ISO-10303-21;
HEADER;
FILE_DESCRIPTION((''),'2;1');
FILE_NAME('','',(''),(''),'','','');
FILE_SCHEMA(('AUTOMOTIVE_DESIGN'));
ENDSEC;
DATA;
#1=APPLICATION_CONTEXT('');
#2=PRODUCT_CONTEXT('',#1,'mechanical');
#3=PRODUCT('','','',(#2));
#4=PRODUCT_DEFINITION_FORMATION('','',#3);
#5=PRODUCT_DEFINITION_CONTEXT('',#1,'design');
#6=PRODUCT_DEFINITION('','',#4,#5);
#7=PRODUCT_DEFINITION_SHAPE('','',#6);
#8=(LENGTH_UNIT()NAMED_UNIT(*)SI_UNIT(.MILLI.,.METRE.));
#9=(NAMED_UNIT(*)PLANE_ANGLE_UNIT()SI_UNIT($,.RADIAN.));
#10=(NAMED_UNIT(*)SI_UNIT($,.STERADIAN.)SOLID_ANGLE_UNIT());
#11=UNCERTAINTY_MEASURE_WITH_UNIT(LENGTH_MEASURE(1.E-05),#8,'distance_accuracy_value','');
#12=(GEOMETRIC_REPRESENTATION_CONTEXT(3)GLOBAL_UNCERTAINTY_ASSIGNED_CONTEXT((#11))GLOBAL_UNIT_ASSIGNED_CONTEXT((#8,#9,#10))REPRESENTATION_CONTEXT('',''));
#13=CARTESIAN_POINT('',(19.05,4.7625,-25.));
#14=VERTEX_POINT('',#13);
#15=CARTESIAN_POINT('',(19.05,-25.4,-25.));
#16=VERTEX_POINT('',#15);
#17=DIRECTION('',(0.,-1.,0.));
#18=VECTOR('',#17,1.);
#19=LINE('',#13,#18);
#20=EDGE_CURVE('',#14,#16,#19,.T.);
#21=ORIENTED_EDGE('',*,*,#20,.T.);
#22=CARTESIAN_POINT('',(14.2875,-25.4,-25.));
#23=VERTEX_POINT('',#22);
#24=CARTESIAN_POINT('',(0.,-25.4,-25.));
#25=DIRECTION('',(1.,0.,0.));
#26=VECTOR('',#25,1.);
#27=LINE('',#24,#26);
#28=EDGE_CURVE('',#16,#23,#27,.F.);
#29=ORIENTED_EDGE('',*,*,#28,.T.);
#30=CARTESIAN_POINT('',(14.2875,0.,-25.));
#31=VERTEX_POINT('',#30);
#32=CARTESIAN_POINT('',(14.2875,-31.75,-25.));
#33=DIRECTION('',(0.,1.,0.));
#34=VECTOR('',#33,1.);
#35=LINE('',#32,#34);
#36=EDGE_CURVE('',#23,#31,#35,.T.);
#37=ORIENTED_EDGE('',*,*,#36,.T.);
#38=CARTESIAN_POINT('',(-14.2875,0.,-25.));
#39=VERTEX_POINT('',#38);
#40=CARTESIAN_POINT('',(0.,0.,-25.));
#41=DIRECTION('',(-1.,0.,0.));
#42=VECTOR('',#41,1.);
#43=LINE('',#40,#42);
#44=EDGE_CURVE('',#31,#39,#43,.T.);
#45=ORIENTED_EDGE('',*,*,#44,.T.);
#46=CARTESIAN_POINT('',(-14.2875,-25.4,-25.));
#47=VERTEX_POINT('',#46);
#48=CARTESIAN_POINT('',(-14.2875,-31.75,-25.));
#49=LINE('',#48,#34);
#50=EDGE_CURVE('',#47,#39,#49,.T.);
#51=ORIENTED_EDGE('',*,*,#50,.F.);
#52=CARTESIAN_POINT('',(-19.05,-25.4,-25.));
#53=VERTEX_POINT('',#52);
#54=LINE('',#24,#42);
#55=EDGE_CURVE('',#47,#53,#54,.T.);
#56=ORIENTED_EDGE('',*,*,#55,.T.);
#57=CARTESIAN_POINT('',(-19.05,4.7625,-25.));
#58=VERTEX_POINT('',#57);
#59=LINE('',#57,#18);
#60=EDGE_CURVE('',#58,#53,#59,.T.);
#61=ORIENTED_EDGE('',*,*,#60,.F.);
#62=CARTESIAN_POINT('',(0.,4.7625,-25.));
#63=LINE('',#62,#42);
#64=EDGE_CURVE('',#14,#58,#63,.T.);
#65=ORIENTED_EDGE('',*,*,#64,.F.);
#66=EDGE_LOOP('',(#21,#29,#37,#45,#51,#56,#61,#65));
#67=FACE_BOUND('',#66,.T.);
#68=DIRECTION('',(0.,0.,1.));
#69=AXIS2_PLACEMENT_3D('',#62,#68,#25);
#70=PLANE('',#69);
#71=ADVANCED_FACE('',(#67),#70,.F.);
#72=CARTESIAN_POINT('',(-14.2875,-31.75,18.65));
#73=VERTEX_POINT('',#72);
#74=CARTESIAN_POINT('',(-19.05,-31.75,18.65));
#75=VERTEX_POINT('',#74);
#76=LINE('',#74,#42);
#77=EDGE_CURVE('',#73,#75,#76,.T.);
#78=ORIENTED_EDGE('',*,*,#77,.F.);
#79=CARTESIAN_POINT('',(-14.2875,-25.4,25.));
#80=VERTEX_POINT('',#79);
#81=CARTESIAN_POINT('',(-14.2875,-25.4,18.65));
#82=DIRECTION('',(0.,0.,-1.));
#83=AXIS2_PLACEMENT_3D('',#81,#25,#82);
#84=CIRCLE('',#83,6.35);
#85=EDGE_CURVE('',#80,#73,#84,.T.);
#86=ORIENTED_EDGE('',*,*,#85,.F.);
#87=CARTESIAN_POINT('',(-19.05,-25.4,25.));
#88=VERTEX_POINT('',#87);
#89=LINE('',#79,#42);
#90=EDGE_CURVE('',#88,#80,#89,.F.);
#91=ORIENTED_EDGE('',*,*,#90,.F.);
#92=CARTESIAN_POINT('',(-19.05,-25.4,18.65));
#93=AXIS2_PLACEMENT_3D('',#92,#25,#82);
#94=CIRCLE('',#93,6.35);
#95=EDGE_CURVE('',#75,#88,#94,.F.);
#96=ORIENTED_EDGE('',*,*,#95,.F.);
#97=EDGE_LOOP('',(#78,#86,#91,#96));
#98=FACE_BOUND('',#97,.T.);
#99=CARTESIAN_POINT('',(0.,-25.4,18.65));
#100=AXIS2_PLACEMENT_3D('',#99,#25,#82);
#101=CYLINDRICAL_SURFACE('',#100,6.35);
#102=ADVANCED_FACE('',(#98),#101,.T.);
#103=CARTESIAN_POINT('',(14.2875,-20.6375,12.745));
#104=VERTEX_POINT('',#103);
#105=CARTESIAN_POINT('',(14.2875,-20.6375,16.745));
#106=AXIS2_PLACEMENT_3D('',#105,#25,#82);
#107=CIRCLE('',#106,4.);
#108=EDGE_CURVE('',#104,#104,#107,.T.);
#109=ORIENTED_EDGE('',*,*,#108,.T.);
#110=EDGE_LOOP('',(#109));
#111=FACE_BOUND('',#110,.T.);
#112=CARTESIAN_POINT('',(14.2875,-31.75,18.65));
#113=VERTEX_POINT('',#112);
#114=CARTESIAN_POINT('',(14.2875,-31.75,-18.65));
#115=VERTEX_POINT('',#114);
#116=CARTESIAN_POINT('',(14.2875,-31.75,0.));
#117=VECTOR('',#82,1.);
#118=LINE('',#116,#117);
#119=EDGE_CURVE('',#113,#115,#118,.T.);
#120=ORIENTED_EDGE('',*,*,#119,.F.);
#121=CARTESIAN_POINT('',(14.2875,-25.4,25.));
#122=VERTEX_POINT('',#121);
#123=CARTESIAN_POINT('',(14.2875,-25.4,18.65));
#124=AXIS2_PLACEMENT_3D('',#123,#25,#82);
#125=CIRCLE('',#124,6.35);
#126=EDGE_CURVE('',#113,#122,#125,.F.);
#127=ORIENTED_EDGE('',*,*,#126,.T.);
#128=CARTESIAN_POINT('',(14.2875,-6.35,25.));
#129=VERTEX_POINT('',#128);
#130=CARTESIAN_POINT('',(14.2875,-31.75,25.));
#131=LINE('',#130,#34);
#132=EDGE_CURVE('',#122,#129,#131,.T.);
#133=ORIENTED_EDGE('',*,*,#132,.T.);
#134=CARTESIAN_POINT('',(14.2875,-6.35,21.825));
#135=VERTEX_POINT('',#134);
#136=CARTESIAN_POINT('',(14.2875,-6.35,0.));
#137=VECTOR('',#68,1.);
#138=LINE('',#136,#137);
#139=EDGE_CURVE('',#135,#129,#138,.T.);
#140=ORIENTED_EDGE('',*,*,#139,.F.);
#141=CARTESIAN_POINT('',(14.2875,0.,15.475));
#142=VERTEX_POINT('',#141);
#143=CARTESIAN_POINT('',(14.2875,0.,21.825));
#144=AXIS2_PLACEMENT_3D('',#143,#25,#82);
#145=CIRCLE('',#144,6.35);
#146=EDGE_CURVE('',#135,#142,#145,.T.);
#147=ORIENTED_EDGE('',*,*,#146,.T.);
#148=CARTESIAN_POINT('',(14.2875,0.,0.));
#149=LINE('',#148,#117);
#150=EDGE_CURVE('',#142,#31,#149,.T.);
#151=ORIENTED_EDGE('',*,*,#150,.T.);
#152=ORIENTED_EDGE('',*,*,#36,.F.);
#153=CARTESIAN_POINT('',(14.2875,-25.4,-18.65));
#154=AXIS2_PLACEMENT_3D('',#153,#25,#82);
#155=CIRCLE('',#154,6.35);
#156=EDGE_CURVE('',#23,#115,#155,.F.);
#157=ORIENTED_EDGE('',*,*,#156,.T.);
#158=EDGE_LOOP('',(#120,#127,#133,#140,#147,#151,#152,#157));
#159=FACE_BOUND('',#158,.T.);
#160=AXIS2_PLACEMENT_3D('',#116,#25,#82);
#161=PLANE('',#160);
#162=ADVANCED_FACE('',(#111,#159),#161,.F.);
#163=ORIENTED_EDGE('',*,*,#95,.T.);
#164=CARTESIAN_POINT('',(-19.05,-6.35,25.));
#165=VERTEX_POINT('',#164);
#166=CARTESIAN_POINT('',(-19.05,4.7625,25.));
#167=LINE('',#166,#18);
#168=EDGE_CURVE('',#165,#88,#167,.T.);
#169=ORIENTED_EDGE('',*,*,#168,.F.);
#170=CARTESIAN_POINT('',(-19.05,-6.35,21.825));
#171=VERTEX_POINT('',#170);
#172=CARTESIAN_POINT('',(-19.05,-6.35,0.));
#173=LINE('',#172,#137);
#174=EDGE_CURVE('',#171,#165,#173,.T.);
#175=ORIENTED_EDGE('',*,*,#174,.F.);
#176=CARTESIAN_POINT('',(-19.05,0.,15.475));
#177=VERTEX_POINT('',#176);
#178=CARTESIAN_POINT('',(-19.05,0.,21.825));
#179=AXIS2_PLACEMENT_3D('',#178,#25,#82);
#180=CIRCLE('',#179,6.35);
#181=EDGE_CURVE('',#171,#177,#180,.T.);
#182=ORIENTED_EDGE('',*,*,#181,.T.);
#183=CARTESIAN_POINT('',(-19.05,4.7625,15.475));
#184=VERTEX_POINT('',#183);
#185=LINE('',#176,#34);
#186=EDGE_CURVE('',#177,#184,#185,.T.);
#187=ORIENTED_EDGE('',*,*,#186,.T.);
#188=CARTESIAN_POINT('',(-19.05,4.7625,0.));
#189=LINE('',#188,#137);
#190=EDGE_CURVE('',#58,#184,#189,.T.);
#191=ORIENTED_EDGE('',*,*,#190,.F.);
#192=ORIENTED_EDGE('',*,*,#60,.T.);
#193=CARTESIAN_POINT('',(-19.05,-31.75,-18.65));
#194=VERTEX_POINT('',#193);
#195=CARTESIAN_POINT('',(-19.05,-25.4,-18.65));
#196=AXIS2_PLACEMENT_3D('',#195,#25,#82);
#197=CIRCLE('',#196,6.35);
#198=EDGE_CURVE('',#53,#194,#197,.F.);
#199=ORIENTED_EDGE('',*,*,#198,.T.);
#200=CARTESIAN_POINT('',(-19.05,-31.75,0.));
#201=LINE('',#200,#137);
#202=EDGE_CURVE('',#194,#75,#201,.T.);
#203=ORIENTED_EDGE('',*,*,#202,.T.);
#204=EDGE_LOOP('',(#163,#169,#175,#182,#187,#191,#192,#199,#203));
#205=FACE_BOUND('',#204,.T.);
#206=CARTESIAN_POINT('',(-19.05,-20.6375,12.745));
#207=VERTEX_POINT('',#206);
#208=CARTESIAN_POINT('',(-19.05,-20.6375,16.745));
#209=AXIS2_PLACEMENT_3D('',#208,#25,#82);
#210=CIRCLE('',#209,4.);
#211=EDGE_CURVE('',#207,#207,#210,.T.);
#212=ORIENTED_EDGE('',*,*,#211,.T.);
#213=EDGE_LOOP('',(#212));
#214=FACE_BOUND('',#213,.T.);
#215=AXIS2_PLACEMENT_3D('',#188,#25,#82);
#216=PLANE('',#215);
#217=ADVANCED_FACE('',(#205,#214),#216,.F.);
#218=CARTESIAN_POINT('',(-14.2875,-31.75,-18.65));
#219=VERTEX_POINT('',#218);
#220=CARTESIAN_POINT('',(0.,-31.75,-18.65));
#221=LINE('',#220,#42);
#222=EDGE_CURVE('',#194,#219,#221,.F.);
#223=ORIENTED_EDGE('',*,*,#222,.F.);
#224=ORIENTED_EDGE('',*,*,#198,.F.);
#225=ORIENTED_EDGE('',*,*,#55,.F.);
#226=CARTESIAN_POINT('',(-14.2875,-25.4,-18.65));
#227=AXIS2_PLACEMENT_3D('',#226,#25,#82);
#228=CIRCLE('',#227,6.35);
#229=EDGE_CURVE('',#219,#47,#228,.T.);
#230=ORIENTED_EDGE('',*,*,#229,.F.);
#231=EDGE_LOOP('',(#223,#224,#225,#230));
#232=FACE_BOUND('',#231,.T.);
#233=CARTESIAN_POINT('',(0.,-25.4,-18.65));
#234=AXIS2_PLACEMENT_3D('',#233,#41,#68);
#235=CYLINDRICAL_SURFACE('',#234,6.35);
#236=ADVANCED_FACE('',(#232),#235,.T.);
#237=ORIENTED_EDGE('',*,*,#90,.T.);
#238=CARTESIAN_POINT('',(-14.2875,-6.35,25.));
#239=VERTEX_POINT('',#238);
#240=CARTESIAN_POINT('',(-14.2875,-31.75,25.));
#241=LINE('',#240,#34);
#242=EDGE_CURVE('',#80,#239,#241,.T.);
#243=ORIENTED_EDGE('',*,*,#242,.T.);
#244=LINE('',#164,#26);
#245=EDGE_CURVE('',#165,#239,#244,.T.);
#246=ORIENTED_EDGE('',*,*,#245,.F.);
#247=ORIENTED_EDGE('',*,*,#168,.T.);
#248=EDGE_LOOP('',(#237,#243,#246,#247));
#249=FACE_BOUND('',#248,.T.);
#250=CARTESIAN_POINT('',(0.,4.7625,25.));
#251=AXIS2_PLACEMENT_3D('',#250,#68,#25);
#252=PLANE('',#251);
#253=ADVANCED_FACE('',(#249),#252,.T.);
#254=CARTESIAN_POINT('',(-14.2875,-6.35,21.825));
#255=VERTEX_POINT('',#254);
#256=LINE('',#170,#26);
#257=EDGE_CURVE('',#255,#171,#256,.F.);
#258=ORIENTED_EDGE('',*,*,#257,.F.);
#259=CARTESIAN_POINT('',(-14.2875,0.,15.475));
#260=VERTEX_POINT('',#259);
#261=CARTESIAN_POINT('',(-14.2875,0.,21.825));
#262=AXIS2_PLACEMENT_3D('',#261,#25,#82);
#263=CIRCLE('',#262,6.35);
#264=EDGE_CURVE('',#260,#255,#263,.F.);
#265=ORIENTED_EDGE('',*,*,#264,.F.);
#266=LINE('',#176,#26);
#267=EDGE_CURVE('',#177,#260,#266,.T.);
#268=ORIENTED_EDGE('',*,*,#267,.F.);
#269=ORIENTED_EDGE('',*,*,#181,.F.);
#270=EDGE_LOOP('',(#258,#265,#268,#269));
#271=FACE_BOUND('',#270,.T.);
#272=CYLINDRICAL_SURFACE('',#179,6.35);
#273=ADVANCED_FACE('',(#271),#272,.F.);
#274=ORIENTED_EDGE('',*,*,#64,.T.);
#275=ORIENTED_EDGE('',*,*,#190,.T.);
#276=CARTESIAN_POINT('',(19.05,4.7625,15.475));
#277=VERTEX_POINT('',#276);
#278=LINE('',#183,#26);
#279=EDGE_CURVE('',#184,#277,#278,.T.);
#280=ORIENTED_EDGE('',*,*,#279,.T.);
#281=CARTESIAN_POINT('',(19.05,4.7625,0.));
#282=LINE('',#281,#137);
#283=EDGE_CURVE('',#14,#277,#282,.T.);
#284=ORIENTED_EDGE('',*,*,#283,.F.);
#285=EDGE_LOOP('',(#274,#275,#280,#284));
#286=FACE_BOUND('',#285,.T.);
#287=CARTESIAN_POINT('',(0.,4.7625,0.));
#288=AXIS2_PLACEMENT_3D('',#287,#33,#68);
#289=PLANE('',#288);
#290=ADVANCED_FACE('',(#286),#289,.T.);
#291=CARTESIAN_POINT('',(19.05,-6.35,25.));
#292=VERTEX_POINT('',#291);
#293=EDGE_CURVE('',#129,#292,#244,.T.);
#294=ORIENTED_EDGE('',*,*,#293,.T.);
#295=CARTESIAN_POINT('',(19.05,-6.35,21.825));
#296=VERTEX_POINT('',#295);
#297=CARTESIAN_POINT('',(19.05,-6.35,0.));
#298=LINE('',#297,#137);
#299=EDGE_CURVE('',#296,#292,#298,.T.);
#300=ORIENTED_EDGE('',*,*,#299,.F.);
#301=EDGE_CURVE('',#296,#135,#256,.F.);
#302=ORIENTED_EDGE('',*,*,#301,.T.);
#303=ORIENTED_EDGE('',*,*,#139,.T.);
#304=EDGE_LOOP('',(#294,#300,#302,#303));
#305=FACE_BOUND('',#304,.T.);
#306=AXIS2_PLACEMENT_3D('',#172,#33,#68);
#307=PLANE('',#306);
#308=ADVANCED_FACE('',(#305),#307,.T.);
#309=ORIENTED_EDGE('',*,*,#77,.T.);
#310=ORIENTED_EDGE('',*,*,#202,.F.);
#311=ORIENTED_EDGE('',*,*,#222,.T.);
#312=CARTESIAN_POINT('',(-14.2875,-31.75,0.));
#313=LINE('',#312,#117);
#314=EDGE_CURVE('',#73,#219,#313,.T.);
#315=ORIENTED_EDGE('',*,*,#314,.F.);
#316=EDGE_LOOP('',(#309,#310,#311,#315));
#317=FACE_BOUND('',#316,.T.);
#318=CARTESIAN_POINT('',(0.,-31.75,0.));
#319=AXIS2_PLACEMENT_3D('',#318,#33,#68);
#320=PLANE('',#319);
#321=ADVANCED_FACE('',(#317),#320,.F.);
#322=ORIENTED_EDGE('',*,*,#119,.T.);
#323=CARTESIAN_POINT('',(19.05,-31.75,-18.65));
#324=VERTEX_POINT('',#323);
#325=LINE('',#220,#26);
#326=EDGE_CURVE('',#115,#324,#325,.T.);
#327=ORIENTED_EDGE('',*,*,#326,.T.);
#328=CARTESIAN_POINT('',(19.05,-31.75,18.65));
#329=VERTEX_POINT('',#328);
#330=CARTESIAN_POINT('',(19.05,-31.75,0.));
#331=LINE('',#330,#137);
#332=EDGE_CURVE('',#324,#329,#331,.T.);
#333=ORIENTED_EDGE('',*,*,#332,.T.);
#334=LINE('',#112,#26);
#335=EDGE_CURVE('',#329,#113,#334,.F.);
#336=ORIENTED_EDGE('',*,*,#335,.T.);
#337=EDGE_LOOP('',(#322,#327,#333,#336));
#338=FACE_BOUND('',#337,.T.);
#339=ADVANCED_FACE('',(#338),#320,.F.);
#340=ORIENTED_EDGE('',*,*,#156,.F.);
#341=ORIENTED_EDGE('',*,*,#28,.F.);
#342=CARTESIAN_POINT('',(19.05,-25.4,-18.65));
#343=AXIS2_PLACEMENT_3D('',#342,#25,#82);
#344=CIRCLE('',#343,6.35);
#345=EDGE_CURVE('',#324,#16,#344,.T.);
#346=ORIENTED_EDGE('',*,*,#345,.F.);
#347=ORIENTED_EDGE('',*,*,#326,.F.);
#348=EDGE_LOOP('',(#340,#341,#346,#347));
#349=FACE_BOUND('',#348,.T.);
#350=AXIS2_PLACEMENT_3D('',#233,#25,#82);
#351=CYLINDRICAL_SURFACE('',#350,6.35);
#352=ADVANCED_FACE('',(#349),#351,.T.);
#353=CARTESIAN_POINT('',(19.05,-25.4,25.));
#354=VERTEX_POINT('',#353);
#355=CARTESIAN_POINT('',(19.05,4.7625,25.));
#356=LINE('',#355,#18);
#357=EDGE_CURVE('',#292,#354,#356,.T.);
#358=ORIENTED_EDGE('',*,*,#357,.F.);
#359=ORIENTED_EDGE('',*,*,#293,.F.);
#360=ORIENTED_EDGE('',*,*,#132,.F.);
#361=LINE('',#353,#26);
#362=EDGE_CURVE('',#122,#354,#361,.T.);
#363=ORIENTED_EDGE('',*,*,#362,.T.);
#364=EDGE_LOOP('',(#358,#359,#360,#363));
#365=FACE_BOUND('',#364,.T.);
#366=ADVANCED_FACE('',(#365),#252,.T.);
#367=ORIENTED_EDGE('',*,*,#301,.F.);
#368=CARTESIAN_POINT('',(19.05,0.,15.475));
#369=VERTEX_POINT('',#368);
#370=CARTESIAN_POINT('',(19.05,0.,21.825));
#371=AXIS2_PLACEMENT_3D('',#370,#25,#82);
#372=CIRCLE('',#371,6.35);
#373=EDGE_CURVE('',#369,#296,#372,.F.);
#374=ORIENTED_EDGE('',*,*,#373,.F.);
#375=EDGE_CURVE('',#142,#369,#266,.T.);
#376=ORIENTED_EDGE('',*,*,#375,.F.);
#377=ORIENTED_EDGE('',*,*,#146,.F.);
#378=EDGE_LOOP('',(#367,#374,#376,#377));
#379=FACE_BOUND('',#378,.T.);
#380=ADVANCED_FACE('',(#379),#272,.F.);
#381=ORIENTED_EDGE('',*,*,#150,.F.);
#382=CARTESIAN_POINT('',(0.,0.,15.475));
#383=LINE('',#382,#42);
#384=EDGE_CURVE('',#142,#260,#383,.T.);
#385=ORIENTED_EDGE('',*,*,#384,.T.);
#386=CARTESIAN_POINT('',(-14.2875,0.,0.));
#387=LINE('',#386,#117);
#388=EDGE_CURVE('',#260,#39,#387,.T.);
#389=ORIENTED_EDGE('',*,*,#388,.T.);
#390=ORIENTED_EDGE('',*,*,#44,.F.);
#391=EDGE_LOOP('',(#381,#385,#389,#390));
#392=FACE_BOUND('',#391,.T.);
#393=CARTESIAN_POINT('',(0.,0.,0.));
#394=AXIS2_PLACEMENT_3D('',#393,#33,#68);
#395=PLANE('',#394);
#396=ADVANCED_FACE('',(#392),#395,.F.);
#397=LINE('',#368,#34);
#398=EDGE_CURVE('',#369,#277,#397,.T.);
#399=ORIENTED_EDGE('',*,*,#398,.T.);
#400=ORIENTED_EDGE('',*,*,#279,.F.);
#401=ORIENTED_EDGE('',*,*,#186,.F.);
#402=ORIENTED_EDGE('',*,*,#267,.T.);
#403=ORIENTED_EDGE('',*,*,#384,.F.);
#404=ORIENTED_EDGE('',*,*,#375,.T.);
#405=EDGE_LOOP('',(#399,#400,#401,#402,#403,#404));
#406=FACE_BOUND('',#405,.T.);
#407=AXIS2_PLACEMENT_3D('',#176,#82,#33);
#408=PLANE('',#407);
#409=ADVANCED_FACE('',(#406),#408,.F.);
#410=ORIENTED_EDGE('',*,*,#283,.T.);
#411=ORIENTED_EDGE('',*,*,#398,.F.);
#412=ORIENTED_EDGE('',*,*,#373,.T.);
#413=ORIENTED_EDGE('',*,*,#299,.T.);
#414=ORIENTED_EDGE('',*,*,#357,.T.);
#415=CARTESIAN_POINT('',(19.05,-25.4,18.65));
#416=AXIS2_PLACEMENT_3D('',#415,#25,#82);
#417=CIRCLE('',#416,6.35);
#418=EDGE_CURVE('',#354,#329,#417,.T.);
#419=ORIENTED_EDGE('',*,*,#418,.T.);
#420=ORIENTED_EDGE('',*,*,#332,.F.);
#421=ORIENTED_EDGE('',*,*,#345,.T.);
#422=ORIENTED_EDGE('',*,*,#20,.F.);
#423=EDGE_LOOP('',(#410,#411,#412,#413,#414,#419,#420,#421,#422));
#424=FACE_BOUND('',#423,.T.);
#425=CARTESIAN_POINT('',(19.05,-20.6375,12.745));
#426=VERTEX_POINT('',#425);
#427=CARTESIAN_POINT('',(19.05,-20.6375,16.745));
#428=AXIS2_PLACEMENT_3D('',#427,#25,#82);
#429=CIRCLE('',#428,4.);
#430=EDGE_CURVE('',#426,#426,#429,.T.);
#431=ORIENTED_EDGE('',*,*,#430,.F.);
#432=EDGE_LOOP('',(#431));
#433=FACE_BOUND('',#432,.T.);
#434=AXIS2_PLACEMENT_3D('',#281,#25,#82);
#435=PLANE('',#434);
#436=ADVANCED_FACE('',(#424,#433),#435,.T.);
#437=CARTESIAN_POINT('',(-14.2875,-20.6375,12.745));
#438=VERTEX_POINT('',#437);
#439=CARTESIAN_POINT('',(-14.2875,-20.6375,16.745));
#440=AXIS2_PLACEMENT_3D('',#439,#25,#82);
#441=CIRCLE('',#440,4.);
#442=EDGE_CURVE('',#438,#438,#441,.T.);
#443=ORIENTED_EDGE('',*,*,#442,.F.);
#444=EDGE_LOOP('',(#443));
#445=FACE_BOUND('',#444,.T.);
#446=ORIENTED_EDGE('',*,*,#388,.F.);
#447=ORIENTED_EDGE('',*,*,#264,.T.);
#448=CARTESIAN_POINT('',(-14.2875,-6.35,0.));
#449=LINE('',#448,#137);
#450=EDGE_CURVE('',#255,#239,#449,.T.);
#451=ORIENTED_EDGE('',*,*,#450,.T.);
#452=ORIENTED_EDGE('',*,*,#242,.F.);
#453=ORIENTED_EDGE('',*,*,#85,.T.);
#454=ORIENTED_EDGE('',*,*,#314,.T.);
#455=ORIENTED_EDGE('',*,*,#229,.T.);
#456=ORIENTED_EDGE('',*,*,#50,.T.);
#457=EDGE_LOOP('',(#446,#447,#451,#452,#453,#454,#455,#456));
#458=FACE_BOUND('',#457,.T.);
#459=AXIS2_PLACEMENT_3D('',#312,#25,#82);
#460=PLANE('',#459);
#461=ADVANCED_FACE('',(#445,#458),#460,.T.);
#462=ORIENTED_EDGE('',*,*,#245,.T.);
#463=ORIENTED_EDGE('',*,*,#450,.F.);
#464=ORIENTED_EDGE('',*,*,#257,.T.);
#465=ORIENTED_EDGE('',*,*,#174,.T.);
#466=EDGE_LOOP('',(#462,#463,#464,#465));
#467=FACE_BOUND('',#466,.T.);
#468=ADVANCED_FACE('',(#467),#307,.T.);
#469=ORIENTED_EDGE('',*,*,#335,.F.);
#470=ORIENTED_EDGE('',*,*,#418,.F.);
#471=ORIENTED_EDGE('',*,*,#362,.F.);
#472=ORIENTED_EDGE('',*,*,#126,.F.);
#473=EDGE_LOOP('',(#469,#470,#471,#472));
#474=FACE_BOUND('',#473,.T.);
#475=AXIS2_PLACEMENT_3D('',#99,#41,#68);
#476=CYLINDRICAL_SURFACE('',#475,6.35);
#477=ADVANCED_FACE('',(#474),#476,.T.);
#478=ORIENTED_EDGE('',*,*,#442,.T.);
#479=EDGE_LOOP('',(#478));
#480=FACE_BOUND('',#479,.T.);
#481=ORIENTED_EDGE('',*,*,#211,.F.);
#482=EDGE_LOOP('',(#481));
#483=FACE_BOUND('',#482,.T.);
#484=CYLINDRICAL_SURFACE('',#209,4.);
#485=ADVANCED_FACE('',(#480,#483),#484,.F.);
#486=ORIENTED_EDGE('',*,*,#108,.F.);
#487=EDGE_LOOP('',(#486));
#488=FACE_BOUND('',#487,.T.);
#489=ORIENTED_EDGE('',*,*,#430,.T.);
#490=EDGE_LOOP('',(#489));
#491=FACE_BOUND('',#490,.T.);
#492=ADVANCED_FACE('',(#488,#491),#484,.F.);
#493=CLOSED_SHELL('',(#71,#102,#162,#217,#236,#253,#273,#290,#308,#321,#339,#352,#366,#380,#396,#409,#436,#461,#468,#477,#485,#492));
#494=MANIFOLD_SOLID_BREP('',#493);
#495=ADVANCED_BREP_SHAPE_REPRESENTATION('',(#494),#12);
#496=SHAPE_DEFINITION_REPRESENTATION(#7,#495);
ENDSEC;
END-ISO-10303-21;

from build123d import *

# Parameters (mm, degrees)
SKETCH1_W           = 4.7625
SKETCH1_H           = 50
SKETCH1_W_2         = 28.575
BOSS_EXTRUDE1_DEPTH = 4.7625
SKETCH1_3_W         = 4.7625
SKETCH1_3_H         = 50
BOSS_EXTRUDE2_DEPTH = 31.75
SKETCH3_W           = 9.525
SKETCH3_H           = 11.1125
SKETCH3_R           = 4
CUT_EXTRUDE1_DEPTH  = 39.1
FILLET1_R           = 6.35


with BuildPart() as part:
    # Sketch1 → Boss-Extrude1 (new body)
    with BuildSketch(Plane(origin=(0, 0, 0), x_dir=(1, 0, 0), z_dir=(0, 1, 0))):
        with Locations((-16.66875, 0)):
            Rectangle(SKETCH1_W, SKETCH1_H)
        Rectangle(SKETCH1_W_2, SKETCH1_H)
        with Locations((16.66875, 0)):
            Rectangle(SKETCH1_W, SKETCH1_H)
    extrude(amount=BOSS_EXTRUDE1_DEPTH)

    # Sketch1<3> → Boss-Extrude2 (add)
    with BuildSketch(Plane(origin=(0, 0, 0), x_dir=(1, 0, 0), z_dir=(0, 1, 0))):
        with Locations((-16.66875, 0)):
            Rectangle(SKETCH1_3_W, SKETCH1_3_H)
        with Locations((16.66875, 0)):
            Rectangle(SKETCH1_3_W, SKETCH1_3_H)
    extrude(amount=-BOSS_EXTRUDE2_DEPTH)

    # Sketch3 → Cut-Extrude1 (cut, through all)
    with BuildSketch(Plane(origin=(19.05, 0, 0), x_dir=(0, 0, -1), z_dir=(1, 0, 0))):
        with Locations((-20.2375, -0.79375)):
            Rectangle(SKETCH3_W, SKETCH3_H)
        with Locations((-16.745, -20.6375)):
            Circle(SKETCH3_R)
    extrude(amount=-CUT_EXTRUDE1_DEPTH, mode=Mode.SUBTRACT)

    # Fillet1
    fillet1_edges = [part.edges().sort_by_distance(p)[0] for p in [
        (-16.66875, -31.75, 25),
        (16.66875, -31.75, 25),
        (-16.66875, -31.75, -25),
        (16.66875, -31.75, -25),
        (-16.66875, -6.35, 15.475),
        (16.66875, -6.35, 15.475),
    ]]
    fillet(fillet1_edges, radius=FILLET1_R)


solid = part.part
